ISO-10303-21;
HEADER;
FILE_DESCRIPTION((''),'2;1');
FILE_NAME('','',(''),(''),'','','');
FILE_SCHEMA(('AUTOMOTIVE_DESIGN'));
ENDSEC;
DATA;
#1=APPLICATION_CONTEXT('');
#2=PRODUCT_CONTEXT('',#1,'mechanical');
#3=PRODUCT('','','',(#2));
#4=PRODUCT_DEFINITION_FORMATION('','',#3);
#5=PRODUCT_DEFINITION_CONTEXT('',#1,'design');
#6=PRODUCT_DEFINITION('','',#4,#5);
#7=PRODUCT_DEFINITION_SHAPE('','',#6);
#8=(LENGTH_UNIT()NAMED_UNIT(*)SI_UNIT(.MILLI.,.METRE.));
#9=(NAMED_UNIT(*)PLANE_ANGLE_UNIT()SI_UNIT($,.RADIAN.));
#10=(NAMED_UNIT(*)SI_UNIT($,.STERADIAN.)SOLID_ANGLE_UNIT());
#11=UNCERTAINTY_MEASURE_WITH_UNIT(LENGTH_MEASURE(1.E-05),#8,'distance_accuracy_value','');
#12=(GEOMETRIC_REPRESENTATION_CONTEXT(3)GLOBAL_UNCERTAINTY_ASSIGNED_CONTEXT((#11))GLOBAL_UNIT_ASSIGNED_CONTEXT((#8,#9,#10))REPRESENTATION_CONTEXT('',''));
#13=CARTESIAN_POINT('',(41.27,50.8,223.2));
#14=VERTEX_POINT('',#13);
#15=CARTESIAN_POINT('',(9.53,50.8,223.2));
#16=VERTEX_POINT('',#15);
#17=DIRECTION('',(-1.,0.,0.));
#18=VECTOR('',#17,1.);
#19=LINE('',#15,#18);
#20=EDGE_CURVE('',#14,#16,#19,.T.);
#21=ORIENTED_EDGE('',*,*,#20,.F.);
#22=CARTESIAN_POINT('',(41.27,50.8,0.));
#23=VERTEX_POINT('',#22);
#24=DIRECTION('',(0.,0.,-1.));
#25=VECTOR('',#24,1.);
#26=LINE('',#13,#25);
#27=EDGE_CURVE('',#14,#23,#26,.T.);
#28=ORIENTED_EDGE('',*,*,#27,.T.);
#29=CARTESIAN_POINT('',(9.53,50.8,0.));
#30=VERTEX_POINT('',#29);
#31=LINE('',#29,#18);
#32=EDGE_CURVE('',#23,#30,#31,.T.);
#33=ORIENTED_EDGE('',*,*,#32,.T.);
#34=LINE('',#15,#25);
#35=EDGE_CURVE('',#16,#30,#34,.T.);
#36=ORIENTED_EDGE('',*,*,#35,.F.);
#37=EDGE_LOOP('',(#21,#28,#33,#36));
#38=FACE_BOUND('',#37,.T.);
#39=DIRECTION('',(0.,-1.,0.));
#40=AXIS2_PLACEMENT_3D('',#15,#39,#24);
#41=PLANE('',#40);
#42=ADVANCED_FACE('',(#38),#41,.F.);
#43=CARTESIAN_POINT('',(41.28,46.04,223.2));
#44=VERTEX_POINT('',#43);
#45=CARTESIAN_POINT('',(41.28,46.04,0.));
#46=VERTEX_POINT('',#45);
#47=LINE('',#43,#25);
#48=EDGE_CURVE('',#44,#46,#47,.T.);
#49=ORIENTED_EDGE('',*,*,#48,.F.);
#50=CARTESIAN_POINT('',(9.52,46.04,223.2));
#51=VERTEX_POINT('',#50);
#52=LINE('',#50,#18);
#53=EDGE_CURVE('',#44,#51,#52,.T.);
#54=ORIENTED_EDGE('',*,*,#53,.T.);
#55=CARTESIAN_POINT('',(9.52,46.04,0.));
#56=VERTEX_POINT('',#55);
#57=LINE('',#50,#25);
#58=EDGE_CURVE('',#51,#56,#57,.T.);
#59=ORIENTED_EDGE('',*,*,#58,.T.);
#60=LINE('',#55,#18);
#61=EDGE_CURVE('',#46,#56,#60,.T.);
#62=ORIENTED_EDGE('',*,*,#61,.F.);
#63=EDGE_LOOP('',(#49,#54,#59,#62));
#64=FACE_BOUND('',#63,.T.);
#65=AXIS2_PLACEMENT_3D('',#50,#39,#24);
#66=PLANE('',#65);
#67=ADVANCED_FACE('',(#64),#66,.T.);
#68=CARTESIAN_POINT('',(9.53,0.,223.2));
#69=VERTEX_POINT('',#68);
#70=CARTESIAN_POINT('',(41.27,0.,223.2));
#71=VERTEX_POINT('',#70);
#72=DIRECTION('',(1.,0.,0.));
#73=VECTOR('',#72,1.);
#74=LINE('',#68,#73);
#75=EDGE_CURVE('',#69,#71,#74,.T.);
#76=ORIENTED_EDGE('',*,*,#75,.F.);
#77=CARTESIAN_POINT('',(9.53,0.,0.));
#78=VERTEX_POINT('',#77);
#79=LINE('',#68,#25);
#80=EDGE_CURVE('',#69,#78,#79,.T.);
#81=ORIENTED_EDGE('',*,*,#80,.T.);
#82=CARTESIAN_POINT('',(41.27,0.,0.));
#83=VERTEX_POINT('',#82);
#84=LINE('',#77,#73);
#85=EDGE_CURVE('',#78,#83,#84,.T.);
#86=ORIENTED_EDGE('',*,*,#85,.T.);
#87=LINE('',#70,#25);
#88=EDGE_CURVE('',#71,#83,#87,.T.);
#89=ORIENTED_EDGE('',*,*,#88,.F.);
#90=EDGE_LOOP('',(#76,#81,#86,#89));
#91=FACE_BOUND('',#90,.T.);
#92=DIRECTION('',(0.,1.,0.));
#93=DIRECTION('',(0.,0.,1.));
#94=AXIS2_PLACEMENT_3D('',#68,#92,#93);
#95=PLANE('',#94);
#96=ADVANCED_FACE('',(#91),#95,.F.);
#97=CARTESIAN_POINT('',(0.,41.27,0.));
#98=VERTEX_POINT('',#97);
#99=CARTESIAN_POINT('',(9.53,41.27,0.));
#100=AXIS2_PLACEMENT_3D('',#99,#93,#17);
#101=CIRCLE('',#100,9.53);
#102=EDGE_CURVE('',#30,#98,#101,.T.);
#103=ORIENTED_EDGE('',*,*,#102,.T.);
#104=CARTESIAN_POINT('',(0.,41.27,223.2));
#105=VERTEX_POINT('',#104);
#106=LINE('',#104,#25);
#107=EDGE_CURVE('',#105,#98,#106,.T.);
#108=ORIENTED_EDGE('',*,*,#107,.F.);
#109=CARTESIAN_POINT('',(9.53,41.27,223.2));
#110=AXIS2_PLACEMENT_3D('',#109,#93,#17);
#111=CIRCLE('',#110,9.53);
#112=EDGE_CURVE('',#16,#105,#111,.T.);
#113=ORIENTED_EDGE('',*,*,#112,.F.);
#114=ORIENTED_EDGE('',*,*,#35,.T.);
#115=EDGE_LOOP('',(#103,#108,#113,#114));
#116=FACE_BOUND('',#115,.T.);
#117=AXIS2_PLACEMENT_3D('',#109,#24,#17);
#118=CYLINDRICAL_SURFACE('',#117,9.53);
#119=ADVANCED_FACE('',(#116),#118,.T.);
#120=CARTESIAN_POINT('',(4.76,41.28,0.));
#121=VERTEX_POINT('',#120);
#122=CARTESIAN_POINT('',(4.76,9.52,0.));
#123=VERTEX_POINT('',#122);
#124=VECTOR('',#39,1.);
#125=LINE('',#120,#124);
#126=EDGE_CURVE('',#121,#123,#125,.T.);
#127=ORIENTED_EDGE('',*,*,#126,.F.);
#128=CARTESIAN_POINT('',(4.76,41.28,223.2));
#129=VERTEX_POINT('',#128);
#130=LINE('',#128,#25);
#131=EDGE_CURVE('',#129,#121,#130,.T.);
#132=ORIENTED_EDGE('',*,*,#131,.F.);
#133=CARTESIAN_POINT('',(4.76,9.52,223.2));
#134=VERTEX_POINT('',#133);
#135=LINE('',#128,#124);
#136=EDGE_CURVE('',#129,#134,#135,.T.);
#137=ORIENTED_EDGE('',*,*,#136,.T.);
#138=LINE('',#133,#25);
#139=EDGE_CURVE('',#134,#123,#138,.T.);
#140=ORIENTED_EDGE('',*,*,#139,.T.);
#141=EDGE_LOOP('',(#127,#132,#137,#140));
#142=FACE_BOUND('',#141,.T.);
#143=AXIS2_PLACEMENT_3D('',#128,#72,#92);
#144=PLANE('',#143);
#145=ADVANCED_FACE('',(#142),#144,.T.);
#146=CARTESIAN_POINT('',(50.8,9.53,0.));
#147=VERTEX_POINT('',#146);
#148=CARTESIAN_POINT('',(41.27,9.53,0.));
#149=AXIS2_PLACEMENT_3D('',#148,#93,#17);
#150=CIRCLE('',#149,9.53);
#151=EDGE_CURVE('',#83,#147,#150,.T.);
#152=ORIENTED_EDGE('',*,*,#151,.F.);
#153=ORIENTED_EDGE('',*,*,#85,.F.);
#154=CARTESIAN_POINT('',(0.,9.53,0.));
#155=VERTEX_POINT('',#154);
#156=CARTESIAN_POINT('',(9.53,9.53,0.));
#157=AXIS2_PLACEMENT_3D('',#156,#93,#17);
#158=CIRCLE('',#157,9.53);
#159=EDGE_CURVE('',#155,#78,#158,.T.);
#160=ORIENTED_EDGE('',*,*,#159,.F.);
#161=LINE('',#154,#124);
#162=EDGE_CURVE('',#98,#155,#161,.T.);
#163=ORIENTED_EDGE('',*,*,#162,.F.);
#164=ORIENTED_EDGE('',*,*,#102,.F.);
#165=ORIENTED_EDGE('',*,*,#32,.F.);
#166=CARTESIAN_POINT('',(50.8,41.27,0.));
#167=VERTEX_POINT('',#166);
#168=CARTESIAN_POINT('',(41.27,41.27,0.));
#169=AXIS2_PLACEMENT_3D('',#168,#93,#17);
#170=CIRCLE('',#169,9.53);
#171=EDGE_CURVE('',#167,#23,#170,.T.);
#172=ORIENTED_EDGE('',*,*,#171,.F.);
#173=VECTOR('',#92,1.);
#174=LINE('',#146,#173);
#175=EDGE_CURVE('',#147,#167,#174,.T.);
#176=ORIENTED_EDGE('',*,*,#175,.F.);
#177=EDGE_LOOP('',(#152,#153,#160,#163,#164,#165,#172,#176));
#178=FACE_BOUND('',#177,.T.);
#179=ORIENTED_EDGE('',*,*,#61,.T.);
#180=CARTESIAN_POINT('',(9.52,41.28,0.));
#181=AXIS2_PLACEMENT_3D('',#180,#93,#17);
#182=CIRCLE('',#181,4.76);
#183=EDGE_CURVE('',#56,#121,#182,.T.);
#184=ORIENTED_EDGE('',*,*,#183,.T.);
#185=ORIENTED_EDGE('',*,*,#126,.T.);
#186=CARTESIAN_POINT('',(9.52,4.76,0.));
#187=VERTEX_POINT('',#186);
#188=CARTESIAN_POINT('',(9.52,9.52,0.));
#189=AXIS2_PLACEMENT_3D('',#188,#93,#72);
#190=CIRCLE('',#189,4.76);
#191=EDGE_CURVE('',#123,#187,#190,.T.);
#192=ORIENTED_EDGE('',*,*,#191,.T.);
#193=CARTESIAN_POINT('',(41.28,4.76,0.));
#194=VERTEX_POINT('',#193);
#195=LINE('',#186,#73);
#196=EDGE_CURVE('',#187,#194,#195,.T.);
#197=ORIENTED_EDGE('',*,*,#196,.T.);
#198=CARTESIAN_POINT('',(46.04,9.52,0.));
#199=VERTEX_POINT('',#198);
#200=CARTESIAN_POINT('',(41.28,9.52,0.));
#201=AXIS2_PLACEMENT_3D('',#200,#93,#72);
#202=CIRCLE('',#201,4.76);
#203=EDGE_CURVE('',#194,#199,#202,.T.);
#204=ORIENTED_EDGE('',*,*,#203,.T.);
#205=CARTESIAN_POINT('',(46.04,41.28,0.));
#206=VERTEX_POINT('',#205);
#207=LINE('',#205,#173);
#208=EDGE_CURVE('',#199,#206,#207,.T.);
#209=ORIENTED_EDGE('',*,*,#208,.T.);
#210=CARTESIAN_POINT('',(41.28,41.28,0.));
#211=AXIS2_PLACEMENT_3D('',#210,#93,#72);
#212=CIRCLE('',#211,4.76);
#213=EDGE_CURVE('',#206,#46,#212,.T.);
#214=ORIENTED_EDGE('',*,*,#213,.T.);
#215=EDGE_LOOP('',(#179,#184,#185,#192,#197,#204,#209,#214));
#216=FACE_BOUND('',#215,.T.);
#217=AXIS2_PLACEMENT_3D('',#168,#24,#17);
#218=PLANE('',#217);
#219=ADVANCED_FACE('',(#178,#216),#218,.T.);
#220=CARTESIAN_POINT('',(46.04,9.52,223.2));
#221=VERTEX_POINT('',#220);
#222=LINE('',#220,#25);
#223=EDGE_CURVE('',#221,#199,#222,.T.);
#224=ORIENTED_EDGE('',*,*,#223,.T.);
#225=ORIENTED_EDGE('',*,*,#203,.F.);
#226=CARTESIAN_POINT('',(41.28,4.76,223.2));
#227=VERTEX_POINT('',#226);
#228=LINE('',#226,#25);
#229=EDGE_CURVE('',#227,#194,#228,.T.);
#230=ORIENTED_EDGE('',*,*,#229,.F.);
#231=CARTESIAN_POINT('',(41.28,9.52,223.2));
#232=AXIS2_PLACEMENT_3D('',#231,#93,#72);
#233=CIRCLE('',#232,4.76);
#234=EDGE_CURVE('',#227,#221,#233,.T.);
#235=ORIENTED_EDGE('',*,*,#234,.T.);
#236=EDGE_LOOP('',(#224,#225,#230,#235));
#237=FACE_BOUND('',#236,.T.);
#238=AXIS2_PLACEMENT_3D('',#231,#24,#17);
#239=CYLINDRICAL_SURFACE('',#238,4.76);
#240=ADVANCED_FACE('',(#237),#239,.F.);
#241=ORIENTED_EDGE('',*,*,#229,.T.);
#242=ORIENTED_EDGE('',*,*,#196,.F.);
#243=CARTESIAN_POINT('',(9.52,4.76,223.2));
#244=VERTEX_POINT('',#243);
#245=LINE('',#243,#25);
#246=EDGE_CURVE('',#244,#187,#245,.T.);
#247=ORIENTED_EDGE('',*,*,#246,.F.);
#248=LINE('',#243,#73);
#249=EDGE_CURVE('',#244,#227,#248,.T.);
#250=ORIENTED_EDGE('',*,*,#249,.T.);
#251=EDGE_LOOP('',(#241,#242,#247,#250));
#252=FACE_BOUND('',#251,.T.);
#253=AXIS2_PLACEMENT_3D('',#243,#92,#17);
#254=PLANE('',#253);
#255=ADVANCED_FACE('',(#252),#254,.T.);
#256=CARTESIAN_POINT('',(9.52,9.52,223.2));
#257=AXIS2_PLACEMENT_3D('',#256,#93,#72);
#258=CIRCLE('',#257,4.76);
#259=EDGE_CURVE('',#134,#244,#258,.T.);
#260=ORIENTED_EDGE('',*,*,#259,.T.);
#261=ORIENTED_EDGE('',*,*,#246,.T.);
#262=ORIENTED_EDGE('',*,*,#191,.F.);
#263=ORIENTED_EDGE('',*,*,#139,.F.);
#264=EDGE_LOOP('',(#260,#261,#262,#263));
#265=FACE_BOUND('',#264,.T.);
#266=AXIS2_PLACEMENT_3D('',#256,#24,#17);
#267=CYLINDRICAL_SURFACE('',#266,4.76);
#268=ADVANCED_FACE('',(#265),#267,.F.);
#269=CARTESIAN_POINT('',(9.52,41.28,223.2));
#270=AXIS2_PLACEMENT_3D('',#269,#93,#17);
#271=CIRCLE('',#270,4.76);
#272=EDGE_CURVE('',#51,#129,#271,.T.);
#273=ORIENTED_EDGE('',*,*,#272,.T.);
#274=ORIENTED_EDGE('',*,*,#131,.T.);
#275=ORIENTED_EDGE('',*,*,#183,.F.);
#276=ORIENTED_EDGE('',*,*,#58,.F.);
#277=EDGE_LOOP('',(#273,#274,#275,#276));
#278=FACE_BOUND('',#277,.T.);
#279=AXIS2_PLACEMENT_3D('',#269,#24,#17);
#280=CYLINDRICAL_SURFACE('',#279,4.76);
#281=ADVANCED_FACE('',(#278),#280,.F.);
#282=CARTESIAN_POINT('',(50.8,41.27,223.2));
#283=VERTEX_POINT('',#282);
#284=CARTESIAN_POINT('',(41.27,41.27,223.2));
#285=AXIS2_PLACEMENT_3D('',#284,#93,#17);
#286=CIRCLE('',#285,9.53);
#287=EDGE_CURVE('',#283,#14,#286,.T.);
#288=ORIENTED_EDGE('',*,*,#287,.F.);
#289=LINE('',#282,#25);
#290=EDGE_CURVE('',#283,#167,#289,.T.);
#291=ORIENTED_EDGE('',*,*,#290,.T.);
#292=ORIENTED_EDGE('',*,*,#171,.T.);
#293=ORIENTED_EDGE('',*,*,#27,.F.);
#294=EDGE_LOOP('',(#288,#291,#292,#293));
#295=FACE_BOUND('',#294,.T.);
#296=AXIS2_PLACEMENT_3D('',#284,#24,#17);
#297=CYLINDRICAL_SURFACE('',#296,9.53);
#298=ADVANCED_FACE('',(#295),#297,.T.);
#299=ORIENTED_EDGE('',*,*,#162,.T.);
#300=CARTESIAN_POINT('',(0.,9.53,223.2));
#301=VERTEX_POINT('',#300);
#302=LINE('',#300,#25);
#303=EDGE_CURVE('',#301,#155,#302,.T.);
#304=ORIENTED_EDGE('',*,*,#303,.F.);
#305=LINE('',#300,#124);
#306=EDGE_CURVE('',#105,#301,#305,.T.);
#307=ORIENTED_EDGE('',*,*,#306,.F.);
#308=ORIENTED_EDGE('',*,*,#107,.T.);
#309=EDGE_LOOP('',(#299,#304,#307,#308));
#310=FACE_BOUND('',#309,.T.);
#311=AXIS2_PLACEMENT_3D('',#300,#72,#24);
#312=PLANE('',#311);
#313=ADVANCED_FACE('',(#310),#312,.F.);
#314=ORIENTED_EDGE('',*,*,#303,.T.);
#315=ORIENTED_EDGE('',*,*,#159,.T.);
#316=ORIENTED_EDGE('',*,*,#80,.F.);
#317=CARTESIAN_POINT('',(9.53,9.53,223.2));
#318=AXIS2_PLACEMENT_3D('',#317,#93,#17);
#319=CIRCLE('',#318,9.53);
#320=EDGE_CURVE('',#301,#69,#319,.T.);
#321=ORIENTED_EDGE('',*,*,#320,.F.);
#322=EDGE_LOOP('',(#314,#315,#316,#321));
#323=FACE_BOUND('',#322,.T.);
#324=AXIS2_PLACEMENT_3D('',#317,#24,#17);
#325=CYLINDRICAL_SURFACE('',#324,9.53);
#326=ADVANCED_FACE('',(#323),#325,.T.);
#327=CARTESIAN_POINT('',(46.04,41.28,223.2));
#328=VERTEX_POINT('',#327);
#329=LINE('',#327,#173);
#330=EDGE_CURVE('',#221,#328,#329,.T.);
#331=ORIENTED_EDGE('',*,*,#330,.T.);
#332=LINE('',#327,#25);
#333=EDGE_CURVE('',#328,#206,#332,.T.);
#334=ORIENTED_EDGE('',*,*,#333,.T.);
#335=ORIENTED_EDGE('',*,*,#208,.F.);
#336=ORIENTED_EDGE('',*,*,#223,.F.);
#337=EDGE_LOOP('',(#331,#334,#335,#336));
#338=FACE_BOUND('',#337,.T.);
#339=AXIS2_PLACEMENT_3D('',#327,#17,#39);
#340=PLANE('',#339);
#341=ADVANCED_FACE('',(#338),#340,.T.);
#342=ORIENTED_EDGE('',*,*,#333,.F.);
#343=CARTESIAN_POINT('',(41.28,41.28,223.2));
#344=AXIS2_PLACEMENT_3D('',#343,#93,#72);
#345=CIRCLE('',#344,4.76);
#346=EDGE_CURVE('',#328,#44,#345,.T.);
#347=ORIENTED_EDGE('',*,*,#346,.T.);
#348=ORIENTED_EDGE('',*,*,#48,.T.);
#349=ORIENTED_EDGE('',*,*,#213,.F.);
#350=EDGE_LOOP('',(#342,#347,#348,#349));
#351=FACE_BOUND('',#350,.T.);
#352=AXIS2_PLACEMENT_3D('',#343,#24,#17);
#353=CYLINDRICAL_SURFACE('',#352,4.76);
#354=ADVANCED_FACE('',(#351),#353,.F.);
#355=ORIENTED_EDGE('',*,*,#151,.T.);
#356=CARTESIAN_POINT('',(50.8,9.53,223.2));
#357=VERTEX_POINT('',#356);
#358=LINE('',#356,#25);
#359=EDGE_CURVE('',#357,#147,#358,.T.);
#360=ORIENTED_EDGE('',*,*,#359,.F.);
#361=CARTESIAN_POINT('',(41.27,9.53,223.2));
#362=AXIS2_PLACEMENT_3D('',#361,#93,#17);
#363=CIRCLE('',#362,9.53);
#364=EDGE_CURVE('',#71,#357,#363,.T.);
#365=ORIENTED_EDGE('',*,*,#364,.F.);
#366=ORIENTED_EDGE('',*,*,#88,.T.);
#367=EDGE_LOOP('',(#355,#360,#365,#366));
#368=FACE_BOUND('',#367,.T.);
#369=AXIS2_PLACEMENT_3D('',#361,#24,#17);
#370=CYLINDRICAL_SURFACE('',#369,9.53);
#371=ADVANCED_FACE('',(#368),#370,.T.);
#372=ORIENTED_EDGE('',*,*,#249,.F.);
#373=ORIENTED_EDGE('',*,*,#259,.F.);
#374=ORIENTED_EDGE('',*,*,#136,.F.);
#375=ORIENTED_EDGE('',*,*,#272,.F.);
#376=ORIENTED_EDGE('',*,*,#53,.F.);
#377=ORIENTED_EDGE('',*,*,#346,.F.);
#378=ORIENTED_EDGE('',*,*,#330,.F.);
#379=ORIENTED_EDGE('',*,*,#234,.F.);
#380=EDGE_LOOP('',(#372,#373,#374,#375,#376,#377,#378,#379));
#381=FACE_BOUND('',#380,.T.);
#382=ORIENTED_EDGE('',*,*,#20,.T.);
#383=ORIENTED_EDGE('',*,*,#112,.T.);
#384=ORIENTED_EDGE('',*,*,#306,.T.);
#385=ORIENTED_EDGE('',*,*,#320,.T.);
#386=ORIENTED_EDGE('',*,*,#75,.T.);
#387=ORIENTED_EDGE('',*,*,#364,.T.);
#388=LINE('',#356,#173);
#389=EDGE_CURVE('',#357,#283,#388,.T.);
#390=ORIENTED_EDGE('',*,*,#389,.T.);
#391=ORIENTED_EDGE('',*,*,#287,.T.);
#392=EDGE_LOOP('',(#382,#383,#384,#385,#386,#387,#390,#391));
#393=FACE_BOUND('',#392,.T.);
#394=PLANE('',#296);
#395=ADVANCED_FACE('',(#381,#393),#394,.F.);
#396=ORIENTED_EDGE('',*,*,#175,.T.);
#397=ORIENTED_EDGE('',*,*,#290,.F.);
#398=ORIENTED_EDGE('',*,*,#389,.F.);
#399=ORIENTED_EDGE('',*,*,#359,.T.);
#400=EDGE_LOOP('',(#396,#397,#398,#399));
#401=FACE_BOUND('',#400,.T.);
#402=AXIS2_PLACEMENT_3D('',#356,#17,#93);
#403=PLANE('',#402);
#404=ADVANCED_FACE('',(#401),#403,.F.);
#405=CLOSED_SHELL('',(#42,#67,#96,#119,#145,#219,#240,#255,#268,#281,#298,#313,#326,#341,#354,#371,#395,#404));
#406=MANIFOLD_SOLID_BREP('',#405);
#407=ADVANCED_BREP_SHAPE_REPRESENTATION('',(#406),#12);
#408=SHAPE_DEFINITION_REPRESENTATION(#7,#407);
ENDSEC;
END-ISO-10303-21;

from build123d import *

# Parameters (mm, degrees)
DODANIE_WYCI_GNI_CIE1_DEPTH = 223.2


with BuildPart() as part:
    # Szkic1 → Dodanie-wyciągnięcie1 (new body)
    with BuildSketch(Plane.XY):
        with BuildLine():
            Line((9.53, 0), (41.27, 0))
            ThreePointArc((41.27, 0), (48.008727625, 2.791272375), (50.8, 9.53))
            Line((50.8, 9.53), (50.8, 41.27))
            ThreePointArc((50.8, 41.27), (48.008727625, 48.008727625), (41.27, 50.8))
            Line((41.27, 50.8), (9.53, 50.8))
            ThreePointArc((9.53, 50.8), (2.791272375, 48.008727625), (0, 41.27))
            Line((0, 41.27), (0, 9.53))
            ThreePointArc((0, 9.53), (2.791272375, 2.791272375), (9.53, 0))
        make_face()
        with BuildLine():
            Line((9.52, 46.04), (41.28, 46.04))
            ThreePointArc((41.28, 46.04), (44.645828278, 44.645828278), (46.04, 41.28))
            Line((46.04, 41.28), (46.04, 9.52))
            ThreePointArc((46.04, 9.52), (44.645828278, 6.154171722), (41.28, 4.76))
            Line((41.28, 4.76), (9.52, 4.76))
            ThreePointArc((9.52, 4.76), (6.154171722, 6.154171722), (4.76, 9.52))
            Line((4.76, 9.52), (4.76, 41.28))
            ThreePointArc((4.76, 41.28), (6.154171722, 44.645828278), (9.52, 46.04))
        make_face(mode=Mode.SUBTRACT)
    extrude(amount=DODANIE_WYCI_GNI_CIE1_DEPTH)


solid = part.part
